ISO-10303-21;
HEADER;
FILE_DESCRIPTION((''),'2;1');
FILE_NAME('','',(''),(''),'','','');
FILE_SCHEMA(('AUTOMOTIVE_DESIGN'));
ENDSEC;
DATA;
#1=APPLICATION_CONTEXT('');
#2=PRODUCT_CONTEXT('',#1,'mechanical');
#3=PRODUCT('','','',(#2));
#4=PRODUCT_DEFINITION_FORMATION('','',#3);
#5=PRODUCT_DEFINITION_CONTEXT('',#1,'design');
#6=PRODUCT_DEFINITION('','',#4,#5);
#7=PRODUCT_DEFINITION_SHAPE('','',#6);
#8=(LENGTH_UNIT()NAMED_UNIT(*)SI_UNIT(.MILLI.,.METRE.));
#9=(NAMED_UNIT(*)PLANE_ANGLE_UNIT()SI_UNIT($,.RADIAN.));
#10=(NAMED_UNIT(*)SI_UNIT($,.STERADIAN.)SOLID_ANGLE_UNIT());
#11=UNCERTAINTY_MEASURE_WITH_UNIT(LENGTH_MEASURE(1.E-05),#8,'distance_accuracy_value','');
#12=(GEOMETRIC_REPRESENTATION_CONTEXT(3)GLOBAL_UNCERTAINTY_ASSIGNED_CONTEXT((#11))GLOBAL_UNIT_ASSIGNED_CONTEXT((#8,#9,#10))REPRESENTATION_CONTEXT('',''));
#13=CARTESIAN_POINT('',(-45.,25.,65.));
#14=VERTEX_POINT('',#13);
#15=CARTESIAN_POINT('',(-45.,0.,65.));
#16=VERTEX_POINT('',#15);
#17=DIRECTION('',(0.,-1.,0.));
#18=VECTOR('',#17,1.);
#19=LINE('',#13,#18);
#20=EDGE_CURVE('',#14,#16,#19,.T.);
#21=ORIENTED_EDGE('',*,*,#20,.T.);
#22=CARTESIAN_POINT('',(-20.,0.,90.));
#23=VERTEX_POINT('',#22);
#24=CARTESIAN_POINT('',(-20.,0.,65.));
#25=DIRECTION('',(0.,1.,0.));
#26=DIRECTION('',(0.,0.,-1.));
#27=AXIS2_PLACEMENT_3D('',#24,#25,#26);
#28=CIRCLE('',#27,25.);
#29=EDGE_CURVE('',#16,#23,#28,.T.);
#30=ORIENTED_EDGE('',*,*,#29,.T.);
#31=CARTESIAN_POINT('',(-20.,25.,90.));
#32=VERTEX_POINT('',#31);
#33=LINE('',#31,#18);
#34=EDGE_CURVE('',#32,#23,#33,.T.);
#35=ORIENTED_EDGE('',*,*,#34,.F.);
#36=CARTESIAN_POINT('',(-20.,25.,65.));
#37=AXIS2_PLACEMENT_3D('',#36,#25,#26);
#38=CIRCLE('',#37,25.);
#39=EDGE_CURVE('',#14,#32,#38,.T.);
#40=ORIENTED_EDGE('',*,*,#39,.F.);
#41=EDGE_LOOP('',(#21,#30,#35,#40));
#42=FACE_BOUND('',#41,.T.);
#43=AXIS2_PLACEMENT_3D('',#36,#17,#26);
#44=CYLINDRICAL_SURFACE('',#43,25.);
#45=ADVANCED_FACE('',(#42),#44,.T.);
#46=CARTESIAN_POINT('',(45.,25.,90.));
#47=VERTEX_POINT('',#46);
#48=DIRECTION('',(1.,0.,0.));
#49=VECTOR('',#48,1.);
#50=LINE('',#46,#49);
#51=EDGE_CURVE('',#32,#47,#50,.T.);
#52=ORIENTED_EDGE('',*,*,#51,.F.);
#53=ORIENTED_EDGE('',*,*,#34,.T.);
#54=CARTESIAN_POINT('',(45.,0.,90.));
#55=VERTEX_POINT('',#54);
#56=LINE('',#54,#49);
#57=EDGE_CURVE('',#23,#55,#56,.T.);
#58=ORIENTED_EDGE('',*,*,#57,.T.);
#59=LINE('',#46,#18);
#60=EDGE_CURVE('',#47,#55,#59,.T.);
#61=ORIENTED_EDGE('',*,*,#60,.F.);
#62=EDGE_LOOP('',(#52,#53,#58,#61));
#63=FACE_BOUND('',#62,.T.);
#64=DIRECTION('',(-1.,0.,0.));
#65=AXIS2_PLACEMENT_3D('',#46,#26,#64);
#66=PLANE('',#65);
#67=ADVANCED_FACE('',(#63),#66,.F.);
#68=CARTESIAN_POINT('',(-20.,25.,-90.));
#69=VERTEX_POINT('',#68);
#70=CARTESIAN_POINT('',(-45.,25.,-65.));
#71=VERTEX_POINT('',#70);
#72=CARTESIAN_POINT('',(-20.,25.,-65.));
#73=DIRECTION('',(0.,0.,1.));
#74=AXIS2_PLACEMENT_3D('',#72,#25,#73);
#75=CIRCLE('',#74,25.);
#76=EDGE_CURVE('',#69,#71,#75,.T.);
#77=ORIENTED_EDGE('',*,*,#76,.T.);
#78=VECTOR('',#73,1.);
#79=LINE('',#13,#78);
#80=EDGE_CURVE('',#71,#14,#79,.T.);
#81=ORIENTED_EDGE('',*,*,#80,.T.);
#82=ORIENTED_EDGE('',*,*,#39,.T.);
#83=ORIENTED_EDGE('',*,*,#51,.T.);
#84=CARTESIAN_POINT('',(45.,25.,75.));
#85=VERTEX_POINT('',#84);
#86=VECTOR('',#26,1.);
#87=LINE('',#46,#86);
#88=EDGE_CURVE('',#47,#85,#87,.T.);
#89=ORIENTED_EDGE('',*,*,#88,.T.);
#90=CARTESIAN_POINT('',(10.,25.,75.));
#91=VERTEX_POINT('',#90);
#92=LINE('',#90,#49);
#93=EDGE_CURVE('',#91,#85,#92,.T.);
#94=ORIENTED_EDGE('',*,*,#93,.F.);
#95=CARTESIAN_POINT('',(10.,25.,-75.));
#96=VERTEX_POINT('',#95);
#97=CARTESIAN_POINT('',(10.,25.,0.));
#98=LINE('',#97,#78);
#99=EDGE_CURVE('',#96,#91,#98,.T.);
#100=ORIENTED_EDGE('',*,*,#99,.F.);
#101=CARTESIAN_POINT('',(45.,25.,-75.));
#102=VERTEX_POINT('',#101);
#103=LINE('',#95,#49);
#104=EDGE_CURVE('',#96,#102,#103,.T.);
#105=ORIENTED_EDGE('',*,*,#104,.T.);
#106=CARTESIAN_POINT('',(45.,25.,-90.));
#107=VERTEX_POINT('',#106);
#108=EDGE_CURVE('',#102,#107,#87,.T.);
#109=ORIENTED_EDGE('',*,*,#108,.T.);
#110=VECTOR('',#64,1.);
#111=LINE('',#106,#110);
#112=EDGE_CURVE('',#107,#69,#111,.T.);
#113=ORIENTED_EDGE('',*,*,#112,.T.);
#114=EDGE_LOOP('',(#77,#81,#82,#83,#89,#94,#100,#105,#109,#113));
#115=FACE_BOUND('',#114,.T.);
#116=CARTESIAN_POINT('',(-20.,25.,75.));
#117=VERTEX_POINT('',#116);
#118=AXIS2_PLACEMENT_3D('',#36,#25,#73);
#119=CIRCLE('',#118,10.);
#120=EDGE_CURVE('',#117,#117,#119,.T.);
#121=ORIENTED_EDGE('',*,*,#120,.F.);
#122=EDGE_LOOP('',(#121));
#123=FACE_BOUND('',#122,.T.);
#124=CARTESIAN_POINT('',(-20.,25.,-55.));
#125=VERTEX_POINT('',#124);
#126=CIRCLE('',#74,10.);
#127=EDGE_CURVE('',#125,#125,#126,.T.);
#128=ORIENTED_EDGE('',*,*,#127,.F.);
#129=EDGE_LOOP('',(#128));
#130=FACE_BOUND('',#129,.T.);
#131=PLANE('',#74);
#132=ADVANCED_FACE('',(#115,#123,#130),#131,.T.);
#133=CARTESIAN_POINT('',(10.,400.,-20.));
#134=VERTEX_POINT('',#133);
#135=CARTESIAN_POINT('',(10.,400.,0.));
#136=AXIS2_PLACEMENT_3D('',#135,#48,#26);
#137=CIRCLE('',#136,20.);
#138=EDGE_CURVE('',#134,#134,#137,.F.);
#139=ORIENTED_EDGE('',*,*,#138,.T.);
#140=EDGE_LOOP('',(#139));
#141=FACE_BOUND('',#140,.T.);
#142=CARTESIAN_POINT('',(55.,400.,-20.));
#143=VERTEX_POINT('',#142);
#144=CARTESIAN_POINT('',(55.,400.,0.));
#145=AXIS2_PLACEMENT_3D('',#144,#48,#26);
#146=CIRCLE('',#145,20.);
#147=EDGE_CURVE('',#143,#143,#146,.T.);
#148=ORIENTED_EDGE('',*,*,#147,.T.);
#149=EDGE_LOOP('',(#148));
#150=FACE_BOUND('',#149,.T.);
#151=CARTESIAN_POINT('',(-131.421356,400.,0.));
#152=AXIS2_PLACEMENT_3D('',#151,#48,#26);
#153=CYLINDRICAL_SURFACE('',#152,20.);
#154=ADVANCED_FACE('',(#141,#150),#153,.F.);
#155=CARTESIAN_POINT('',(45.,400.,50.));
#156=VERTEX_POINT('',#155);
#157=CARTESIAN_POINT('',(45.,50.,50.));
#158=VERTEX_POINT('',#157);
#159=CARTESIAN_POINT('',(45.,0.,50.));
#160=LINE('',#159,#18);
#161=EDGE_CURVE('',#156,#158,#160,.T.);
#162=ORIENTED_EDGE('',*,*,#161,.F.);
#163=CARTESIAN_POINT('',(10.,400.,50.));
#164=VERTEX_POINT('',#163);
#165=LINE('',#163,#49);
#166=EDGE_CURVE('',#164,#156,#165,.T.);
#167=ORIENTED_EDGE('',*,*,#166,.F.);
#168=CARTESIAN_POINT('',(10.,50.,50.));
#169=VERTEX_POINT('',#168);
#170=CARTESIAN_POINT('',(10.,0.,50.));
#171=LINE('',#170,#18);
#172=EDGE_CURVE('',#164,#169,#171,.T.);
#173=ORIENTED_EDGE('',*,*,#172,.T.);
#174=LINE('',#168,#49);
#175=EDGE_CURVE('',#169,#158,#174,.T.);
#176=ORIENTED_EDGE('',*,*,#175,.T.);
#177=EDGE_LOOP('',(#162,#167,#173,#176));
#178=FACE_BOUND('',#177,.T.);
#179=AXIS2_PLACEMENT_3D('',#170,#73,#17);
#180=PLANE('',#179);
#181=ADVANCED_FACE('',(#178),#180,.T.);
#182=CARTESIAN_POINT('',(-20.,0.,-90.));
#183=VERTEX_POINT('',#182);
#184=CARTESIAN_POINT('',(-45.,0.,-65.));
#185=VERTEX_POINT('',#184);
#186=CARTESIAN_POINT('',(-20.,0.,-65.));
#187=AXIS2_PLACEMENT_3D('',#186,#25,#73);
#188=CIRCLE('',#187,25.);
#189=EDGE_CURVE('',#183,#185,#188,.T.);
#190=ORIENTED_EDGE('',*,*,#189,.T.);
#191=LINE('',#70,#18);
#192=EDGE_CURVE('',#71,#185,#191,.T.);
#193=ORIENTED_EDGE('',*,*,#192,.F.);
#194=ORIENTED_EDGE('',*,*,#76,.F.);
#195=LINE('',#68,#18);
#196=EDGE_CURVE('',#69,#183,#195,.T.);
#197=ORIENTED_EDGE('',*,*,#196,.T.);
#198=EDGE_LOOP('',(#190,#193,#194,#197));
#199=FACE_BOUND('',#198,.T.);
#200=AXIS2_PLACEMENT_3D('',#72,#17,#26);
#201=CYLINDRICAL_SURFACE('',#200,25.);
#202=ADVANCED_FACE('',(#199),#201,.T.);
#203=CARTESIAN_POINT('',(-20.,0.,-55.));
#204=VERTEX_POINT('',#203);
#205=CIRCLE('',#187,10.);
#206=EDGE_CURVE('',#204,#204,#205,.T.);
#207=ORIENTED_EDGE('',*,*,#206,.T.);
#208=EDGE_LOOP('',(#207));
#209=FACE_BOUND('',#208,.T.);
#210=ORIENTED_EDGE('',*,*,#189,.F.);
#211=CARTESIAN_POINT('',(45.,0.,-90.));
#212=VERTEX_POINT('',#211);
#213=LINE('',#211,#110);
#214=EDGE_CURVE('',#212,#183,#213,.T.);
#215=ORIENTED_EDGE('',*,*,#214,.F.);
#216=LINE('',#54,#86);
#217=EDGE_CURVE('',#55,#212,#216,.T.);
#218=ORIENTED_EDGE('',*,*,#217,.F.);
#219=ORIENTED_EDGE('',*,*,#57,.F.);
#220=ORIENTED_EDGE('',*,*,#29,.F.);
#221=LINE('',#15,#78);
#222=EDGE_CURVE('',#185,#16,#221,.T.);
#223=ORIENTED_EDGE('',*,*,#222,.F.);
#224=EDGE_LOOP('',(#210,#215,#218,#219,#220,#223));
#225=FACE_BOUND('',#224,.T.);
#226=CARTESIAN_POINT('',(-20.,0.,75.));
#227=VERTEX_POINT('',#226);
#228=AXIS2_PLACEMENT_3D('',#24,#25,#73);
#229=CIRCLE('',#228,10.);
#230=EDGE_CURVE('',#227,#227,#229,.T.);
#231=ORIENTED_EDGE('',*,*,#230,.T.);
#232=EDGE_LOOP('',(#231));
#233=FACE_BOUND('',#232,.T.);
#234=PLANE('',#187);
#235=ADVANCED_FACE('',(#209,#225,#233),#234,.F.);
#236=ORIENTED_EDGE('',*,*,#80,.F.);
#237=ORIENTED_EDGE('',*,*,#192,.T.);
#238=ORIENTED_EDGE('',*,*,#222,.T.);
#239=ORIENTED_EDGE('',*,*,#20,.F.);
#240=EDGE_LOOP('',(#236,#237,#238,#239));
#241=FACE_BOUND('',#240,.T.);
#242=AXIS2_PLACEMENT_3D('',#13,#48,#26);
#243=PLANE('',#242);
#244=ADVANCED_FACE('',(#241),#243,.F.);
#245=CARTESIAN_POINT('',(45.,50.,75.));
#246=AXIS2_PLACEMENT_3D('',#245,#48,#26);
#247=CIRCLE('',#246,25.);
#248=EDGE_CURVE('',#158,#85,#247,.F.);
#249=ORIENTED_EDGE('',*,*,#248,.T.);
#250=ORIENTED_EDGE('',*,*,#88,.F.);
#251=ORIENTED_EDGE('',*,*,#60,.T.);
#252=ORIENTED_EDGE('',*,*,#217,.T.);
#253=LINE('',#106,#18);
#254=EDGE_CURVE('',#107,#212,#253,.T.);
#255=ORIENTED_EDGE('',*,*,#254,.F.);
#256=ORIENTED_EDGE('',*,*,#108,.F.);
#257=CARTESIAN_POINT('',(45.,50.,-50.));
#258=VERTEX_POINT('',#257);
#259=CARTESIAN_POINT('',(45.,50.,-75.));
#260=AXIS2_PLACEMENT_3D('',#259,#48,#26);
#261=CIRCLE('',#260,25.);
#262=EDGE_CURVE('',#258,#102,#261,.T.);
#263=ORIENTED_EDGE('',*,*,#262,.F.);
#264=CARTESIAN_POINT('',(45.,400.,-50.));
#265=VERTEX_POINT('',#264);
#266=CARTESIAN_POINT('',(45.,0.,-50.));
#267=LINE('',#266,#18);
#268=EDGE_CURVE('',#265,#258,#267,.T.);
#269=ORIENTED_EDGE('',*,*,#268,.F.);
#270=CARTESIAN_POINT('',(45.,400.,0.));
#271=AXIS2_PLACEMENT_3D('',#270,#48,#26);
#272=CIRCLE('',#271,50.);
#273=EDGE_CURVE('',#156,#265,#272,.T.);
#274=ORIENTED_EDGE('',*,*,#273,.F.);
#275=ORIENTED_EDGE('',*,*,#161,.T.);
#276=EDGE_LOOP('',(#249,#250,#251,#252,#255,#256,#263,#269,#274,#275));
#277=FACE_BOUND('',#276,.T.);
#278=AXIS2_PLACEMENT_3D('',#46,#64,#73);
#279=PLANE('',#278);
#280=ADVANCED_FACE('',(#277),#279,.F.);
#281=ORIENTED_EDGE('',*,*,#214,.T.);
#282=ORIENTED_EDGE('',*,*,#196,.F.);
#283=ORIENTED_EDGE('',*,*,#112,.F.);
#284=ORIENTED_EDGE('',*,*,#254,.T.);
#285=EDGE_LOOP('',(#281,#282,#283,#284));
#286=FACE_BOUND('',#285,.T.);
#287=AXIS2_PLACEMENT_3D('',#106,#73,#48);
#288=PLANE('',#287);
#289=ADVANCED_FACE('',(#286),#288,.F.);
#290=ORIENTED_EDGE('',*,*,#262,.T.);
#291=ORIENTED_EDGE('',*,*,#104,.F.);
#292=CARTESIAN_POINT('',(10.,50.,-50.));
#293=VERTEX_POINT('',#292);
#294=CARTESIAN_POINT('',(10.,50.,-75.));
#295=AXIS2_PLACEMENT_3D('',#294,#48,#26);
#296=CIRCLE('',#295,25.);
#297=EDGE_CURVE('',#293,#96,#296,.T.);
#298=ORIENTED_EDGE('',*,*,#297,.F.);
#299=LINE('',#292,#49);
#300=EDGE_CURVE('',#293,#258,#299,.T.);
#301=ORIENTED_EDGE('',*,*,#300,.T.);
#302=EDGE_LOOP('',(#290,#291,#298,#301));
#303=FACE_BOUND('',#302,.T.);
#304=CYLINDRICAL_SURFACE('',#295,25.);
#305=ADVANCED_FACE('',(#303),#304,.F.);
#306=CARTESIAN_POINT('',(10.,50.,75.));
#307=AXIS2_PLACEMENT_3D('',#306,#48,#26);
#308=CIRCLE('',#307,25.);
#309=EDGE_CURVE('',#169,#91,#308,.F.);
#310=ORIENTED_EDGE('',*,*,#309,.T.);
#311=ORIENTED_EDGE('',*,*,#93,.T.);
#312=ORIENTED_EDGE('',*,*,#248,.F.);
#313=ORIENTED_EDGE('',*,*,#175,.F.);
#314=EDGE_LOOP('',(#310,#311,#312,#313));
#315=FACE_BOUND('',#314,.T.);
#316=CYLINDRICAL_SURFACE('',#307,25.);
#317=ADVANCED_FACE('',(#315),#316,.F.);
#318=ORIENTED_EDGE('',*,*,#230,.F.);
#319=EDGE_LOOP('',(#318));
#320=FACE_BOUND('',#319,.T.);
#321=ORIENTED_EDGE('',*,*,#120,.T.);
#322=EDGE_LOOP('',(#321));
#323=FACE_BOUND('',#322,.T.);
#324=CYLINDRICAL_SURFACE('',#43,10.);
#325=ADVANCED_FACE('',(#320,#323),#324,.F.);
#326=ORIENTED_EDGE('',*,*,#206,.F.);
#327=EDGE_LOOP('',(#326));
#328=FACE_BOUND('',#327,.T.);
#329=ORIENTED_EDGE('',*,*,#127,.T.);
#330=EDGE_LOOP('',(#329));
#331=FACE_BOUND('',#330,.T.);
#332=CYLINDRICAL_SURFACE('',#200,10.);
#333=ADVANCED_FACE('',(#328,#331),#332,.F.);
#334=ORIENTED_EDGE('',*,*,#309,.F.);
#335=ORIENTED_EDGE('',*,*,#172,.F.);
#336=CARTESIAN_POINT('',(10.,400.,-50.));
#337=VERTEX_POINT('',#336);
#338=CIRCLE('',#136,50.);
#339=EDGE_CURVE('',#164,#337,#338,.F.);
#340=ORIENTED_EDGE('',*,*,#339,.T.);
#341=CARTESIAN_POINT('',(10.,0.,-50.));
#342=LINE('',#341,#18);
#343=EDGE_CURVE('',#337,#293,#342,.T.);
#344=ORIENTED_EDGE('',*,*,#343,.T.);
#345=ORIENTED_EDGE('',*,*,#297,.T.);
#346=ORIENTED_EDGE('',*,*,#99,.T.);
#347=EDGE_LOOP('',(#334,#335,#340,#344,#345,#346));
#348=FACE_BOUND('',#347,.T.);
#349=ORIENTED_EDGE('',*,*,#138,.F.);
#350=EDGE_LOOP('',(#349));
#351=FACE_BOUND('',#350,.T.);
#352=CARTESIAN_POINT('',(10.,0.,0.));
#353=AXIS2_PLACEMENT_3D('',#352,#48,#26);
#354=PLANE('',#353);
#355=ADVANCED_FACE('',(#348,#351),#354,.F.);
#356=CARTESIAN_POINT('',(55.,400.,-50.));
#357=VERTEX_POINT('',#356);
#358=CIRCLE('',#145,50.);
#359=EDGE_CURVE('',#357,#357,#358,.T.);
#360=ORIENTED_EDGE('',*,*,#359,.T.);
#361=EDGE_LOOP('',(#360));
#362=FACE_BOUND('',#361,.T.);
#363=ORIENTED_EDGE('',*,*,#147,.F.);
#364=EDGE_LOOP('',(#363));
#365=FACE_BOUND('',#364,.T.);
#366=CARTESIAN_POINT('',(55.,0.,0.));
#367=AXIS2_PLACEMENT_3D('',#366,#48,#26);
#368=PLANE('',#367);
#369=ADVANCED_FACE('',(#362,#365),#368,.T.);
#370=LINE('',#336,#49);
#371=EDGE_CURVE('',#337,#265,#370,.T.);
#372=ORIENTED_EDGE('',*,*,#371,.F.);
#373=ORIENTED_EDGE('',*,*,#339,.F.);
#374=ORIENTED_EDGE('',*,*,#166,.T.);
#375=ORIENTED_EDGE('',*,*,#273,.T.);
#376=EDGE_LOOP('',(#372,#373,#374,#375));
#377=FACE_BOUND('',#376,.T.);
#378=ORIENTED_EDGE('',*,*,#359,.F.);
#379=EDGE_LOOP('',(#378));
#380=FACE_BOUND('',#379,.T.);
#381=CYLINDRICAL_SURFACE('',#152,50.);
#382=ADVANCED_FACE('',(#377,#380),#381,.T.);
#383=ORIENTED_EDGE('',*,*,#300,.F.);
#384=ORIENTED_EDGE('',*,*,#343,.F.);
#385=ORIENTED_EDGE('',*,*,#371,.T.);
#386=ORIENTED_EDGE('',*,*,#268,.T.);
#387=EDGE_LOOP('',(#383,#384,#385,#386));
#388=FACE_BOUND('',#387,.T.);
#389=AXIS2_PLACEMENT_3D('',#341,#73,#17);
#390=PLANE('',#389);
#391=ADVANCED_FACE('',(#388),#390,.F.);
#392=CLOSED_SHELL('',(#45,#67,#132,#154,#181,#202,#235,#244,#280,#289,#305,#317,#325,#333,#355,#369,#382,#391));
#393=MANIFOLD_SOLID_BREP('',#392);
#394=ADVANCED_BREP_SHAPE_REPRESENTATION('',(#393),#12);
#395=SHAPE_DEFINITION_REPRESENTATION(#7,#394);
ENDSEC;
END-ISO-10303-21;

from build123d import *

# Parameters (mm, degrees)
ESQUISSE1_R        = 10
BOSS_EXTRU_1_DEPTH = 25
BOSS_EXTRU_2_DEPTH = 35
BOSS_EXTRU_3_START = -35
ESQUISSE2_4_R      = 50
ESQUISSE2_4_R_2    = 20
BOSS_EXTRU_3_DEPTH = 45


with BuildPart() as part:
    # Esquisse1 → Boss.-Extru.1 (new body)
    with BuildSketch(Plane(origin=(0, 0, 0), x_dir=(1, 0, 0), z_dir=(0, 1, 0))):
        with BuildLine():
            Line((45, -90), (-20, -90))
            ThreePointArc((-20, -90), (-37.67766953, -82.67766953), (-45, -65))
            Line((-45, -65), (-45, 65))
            ThreePointArc((-45, 65), (-37.67766953, 82.67766953), (-20, 90))
            Line((-20, 90), (45, 90))
            Line((45, 90), (45, -90))
        make_face()
        with Locations(Location((-20, 65, 0), (0, 0, 270))):
            Circle(ESQUISSE1_R, mode=Mode.SUBTRACT)
        with Locations(Location((-20, -65, 0), (0, 0, 270))):
            Circle(ESQUISSE1_R, mode=Mode.SUBTRACT)
    extrude(amount=BOSS_EXTRU_1_DEPTH)

    # Esquisse2 → Boss.-Extru.2 (add)
    with BuildSketch(Plane(origin=(45, 0, 0), x_dir=(0, 0, -1), z_dir=(1, 0, 0))):
        with BuildLine():
            Line((-75, 25), (0, 25))
            Line((0, 25), (0, 350))
            ThreePointArc((0, 350), (-35.355339059, 364.644660941), (-50, 400))
            Line((-50, 400), (-50, 50))
            ThreePointArc((-50, 50), (-57.32233047, 32.32233047), (-75, 25))
        make_face()
        with BuildLine():
            Line((0, 350), (0, 25))
            Line((0, 25), (75, 25))
            ThreePointArc((75, 25), (57.32233047, 32.32233047), (50, 50))
            Line((50, 50), (50, 400))
            ThreePointArc((50, 400), (35.355339059, 364.644660941), (0, 350))
        make_face()
    extrude(amount=-BOSS_EXTRU_2_DEPTH)

    # Esquisse2<4> → Boss.-Extru.3 (add)
    with BuildSketch(Plane(origin=(45, 0, 0), x_dir=(0, 0, -1), z_dir=(1, 0, 0)).offset(BOSS_EXTRU_3_START)):
        with Locations((0, 400)):
            Circle(ESQUISSE2_4_R)
        with Locations((0, 400)):
            Circle(ESQUISSE2_4_R_2, mode=Mode.SUBTRACT)
    extrude(amount=BOSS_EXTRU_3_DEPTH)


solid = part.part
